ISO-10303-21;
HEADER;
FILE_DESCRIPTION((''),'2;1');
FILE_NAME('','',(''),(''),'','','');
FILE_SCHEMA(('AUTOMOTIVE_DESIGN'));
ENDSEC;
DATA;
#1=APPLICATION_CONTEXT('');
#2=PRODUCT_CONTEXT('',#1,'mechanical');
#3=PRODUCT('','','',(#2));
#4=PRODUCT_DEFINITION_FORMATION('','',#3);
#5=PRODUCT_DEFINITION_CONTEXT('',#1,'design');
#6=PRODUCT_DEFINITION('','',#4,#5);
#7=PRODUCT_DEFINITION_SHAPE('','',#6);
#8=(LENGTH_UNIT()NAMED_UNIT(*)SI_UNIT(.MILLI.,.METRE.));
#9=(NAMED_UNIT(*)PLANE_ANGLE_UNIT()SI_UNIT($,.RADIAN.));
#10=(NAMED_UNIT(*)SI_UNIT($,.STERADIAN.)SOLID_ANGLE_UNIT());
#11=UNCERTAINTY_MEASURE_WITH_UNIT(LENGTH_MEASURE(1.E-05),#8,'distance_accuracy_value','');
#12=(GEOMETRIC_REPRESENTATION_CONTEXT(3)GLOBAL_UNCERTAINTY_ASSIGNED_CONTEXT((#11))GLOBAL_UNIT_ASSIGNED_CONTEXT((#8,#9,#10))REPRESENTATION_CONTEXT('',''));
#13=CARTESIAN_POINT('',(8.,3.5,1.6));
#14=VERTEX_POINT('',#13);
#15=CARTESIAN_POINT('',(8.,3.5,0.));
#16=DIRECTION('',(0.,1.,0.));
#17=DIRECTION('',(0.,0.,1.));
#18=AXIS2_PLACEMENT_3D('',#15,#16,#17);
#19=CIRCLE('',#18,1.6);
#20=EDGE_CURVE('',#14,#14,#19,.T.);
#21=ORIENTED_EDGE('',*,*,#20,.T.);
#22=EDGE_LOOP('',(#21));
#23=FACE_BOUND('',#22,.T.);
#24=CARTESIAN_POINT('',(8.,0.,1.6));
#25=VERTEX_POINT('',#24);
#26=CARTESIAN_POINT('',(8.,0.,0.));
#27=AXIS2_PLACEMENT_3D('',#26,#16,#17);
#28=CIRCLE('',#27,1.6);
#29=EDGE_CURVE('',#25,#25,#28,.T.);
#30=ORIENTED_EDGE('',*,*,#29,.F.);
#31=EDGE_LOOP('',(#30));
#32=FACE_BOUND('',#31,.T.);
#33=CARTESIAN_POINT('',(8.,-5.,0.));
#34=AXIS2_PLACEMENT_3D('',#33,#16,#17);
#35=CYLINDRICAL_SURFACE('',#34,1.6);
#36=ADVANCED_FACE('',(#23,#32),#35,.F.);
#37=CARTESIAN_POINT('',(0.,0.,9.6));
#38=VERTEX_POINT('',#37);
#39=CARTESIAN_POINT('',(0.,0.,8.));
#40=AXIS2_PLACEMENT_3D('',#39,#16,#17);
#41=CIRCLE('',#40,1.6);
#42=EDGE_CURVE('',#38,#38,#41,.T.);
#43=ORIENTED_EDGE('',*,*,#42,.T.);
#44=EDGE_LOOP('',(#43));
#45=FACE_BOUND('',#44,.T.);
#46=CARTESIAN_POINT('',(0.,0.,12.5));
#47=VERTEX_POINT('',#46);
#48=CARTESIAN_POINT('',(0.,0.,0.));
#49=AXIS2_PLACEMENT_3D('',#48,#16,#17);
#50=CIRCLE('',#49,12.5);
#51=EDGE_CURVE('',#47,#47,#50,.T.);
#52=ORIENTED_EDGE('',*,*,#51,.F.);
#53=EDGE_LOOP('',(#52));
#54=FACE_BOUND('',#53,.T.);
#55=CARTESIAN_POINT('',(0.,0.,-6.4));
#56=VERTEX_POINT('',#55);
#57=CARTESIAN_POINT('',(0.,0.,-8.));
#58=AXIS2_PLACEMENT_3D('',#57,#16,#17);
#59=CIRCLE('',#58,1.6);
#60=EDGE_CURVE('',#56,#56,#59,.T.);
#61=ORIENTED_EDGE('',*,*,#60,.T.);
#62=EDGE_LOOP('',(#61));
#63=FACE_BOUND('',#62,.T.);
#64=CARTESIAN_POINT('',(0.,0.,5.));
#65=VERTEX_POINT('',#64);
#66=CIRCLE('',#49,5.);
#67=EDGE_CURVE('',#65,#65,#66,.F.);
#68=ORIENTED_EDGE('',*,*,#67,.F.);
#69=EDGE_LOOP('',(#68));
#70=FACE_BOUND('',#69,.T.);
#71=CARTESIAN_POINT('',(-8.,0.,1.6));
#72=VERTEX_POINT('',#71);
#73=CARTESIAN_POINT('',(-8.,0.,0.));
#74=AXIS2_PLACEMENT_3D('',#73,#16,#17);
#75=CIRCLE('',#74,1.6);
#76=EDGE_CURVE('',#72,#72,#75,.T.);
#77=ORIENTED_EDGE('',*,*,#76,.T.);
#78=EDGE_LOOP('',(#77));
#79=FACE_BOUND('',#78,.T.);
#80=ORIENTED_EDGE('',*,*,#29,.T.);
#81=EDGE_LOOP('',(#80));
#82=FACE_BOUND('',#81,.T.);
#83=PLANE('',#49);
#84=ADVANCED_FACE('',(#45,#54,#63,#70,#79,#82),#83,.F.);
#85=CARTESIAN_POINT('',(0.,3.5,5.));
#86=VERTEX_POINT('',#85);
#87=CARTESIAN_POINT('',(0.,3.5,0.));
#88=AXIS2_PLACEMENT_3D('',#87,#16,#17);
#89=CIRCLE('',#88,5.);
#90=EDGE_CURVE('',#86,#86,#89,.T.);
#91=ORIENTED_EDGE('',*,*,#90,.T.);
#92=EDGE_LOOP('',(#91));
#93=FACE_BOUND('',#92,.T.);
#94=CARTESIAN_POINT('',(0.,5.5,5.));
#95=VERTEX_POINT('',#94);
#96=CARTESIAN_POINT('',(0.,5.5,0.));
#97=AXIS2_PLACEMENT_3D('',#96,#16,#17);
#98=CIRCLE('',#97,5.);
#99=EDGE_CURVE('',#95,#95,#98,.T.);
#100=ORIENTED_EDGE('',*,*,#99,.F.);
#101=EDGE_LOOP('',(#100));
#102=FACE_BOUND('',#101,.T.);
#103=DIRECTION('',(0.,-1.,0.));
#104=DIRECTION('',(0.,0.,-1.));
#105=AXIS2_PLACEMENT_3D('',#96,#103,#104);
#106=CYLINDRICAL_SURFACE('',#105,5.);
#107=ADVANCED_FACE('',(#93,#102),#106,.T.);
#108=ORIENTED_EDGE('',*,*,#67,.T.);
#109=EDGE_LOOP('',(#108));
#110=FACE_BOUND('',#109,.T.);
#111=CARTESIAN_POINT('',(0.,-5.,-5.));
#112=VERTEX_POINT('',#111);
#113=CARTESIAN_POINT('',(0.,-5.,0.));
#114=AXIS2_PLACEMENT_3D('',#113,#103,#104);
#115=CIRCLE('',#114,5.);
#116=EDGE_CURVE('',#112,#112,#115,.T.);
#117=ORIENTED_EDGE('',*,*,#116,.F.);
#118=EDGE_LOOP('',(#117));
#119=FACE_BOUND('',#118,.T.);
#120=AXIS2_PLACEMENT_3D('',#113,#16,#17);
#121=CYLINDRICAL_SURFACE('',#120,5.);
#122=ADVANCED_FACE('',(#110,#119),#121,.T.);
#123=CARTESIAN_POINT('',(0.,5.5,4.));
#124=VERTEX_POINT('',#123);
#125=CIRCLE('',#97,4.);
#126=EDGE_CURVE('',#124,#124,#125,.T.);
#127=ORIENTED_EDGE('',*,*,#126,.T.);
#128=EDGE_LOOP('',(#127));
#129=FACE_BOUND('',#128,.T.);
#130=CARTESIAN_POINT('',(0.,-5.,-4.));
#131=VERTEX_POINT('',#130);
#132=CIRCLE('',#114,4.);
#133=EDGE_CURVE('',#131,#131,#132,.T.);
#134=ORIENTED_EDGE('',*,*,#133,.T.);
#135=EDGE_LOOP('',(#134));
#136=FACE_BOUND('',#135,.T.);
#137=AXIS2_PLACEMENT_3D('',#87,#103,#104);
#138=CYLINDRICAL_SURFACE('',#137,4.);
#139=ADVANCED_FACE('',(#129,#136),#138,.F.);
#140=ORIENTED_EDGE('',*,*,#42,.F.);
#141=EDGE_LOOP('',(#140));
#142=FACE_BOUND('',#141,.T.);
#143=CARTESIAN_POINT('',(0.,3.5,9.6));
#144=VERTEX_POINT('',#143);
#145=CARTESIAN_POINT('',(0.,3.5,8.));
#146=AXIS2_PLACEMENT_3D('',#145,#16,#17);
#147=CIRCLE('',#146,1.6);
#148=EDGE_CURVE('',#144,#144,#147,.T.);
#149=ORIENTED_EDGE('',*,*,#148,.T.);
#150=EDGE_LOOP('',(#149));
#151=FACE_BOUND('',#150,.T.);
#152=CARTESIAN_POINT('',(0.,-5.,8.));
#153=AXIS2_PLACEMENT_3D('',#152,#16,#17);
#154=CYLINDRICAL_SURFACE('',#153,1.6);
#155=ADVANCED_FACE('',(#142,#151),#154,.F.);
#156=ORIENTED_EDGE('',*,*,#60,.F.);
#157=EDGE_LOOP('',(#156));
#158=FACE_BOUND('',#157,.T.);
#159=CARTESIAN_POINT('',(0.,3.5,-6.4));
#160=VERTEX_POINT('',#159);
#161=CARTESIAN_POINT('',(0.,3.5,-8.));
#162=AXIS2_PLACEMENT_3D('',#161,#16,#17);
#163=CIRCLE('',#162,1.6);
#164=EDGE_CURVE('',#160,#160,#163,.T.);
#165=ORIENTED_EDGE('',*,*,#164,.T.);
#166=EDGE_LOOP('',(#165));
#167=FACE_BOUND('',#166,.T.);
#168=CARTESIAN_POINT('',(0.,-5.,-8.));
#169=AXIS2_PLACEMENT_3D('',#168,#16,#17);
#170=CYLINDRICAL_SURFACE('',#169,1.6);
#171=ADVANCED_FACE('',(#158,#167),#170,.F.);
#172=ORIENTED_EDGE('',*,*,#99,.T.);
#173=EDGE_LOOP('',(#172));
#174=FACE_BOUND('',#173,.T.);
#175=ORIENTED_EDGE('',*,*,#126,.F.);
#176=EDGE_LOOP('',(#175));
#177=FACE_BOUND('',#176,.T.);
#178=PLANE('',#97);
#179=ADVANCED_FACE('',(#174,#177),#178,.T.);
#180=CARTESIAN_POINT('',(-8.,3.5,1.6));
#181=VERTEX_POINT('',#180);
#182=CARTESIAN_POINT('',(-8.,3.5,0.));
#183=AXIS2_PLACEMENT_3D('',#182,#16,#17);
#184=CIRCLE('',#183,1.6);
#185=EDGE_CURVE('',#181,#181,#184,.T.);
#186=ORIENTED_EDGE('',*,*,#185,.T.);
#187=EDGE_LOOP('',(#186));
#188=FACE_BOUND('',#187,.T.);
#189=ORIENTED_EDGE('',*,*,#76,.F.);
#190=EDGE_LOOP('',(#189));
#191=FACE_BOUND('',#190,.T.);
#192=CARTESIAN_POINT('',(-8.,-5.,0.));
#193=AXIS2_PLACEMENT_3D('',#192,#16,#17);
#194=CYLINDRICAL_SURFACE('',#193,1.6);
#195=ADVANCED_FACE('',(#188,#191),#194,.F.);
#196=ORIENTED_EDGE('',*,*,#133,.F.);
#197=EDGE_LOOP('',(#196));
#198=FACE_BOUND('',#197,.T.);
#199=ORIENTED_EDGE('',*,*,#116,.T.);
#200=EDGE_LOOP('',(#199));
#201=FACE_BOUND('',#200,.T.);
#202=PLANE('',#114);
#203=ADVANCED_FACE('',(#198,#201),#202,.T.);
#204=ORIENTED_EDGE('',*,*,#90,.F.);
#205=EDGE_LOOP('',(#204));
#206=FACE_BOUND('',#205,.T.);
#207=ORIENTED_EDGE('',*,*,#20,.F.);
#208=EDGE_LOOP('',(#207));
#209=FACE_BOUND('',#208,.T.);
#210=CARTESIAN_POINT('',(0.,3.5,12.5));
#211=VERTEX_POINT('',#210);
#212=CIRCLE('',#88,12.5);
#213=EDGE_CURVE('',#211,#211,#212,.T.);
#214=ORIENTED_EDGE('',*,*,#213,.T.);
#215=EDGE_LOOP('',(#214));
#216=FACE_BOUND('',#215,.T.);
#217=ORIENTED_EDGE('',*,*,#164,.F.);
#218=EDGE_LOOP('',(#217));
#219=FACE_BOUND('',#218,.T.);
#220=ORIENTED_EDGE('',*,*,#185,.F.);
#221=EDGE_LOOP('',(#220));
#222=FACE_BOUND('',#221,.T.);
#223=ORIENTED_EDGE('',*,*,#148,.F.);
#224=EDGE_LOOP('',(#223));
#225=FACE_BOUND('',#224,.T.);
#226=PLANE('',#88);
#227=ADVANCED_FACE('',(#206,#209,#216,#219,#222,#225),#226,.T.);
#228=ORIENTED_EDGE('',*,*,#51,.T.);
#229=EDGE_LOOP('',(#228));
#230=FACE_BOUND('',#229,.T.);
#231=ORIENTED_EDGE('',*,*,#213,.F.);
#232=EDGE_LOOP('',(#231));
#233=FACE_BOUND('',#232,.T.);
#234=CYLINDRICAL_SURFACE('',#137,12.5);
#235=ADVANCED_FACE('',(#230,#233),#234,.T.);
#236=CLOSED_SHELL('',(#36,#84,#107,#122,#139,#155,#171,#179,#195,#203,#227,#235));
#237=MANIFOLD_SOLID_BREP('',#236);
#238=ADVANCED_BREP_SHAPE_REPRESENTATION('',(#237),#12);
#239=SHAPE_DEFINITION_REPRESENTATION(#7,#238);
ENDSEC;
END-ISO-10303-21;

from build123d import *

# Parameters (mm, degrees)
SKETCH2_R           = 12.5
SKETCH2_R_2         = 4
BOSS_EXTRUDE1_DEPTH = 3.5
SKETCH3_R           = 5
SKETCH3_R_2         = 4
BOSS_EXTRUDE2_DEPTH = 2
SKETCH4_R           = 5
SKETCH4_R_2         = 4
BOSS_EXTRUDE3_DEPTH = 5
SKETCH5_R           = 1.6
CUT_EXTRUDE1_DEPTH  = 9.5


with BuildPart() as part:
    # Sketch2 → Boss-Extrude1 (new body)
    with BuildSketch(Plane(origin=(0, 0, 0), x_dir=(1, 0, 0), z_dir=(0, 1, 0))):
        Circle(SKETCH2_R)
        Circle(SKETCH2_R_2, mode=Mode.SUBTRACT)
    extrude(amount=BOSS_EXTRUDE1_DEPTH)

    # Sketch3 → Boss-Extrude2 (add)
    with BuildSketch(Plane(origin=(0, 3.5, 0), x_dir=(1, 0, 0), z_dir=(0, 1, 0))):
        Circle(SKETCH3_R)
        Circle(SKETCH3_R_2, mode=Mode.SUBTRACT)
    extrude(amount=BOSS_EXTRUDE2_DEPTH)

    # Sketch4 → Boss-Extrude3 (add)
    with BuildSketch(Plane.XZ):
        Circle(SKETCH4_R)
        Circle(SKETCH4_R_2, mode=Mode.SUBTRACT)
    extrude(amount=BOSS_EXTRUDE3_DEPTH)

    # Sketch5 → Cut-Extrude1 (cut, through all)
    with BuildSketch(Plane(origin=(0, 3.5, 0), x_dir=(1, 0, 0), z_dir=(0, 1, 0))):
        with Locations((0, 8)):
            Circle(SKETCH5_R)
        with Locations((8, 0)):
            Circle(SKETCH5_R)
        with Locations((0, -8)):
            Circle(SKETCH5_R)
        with Locations((-8, 0)):
            Circle(SKETCH5_R)
    extrude(amount=-CUT_EXTRUDE1_DEPTH, mode=Mode.SUBTRACT)


solid = part.part
